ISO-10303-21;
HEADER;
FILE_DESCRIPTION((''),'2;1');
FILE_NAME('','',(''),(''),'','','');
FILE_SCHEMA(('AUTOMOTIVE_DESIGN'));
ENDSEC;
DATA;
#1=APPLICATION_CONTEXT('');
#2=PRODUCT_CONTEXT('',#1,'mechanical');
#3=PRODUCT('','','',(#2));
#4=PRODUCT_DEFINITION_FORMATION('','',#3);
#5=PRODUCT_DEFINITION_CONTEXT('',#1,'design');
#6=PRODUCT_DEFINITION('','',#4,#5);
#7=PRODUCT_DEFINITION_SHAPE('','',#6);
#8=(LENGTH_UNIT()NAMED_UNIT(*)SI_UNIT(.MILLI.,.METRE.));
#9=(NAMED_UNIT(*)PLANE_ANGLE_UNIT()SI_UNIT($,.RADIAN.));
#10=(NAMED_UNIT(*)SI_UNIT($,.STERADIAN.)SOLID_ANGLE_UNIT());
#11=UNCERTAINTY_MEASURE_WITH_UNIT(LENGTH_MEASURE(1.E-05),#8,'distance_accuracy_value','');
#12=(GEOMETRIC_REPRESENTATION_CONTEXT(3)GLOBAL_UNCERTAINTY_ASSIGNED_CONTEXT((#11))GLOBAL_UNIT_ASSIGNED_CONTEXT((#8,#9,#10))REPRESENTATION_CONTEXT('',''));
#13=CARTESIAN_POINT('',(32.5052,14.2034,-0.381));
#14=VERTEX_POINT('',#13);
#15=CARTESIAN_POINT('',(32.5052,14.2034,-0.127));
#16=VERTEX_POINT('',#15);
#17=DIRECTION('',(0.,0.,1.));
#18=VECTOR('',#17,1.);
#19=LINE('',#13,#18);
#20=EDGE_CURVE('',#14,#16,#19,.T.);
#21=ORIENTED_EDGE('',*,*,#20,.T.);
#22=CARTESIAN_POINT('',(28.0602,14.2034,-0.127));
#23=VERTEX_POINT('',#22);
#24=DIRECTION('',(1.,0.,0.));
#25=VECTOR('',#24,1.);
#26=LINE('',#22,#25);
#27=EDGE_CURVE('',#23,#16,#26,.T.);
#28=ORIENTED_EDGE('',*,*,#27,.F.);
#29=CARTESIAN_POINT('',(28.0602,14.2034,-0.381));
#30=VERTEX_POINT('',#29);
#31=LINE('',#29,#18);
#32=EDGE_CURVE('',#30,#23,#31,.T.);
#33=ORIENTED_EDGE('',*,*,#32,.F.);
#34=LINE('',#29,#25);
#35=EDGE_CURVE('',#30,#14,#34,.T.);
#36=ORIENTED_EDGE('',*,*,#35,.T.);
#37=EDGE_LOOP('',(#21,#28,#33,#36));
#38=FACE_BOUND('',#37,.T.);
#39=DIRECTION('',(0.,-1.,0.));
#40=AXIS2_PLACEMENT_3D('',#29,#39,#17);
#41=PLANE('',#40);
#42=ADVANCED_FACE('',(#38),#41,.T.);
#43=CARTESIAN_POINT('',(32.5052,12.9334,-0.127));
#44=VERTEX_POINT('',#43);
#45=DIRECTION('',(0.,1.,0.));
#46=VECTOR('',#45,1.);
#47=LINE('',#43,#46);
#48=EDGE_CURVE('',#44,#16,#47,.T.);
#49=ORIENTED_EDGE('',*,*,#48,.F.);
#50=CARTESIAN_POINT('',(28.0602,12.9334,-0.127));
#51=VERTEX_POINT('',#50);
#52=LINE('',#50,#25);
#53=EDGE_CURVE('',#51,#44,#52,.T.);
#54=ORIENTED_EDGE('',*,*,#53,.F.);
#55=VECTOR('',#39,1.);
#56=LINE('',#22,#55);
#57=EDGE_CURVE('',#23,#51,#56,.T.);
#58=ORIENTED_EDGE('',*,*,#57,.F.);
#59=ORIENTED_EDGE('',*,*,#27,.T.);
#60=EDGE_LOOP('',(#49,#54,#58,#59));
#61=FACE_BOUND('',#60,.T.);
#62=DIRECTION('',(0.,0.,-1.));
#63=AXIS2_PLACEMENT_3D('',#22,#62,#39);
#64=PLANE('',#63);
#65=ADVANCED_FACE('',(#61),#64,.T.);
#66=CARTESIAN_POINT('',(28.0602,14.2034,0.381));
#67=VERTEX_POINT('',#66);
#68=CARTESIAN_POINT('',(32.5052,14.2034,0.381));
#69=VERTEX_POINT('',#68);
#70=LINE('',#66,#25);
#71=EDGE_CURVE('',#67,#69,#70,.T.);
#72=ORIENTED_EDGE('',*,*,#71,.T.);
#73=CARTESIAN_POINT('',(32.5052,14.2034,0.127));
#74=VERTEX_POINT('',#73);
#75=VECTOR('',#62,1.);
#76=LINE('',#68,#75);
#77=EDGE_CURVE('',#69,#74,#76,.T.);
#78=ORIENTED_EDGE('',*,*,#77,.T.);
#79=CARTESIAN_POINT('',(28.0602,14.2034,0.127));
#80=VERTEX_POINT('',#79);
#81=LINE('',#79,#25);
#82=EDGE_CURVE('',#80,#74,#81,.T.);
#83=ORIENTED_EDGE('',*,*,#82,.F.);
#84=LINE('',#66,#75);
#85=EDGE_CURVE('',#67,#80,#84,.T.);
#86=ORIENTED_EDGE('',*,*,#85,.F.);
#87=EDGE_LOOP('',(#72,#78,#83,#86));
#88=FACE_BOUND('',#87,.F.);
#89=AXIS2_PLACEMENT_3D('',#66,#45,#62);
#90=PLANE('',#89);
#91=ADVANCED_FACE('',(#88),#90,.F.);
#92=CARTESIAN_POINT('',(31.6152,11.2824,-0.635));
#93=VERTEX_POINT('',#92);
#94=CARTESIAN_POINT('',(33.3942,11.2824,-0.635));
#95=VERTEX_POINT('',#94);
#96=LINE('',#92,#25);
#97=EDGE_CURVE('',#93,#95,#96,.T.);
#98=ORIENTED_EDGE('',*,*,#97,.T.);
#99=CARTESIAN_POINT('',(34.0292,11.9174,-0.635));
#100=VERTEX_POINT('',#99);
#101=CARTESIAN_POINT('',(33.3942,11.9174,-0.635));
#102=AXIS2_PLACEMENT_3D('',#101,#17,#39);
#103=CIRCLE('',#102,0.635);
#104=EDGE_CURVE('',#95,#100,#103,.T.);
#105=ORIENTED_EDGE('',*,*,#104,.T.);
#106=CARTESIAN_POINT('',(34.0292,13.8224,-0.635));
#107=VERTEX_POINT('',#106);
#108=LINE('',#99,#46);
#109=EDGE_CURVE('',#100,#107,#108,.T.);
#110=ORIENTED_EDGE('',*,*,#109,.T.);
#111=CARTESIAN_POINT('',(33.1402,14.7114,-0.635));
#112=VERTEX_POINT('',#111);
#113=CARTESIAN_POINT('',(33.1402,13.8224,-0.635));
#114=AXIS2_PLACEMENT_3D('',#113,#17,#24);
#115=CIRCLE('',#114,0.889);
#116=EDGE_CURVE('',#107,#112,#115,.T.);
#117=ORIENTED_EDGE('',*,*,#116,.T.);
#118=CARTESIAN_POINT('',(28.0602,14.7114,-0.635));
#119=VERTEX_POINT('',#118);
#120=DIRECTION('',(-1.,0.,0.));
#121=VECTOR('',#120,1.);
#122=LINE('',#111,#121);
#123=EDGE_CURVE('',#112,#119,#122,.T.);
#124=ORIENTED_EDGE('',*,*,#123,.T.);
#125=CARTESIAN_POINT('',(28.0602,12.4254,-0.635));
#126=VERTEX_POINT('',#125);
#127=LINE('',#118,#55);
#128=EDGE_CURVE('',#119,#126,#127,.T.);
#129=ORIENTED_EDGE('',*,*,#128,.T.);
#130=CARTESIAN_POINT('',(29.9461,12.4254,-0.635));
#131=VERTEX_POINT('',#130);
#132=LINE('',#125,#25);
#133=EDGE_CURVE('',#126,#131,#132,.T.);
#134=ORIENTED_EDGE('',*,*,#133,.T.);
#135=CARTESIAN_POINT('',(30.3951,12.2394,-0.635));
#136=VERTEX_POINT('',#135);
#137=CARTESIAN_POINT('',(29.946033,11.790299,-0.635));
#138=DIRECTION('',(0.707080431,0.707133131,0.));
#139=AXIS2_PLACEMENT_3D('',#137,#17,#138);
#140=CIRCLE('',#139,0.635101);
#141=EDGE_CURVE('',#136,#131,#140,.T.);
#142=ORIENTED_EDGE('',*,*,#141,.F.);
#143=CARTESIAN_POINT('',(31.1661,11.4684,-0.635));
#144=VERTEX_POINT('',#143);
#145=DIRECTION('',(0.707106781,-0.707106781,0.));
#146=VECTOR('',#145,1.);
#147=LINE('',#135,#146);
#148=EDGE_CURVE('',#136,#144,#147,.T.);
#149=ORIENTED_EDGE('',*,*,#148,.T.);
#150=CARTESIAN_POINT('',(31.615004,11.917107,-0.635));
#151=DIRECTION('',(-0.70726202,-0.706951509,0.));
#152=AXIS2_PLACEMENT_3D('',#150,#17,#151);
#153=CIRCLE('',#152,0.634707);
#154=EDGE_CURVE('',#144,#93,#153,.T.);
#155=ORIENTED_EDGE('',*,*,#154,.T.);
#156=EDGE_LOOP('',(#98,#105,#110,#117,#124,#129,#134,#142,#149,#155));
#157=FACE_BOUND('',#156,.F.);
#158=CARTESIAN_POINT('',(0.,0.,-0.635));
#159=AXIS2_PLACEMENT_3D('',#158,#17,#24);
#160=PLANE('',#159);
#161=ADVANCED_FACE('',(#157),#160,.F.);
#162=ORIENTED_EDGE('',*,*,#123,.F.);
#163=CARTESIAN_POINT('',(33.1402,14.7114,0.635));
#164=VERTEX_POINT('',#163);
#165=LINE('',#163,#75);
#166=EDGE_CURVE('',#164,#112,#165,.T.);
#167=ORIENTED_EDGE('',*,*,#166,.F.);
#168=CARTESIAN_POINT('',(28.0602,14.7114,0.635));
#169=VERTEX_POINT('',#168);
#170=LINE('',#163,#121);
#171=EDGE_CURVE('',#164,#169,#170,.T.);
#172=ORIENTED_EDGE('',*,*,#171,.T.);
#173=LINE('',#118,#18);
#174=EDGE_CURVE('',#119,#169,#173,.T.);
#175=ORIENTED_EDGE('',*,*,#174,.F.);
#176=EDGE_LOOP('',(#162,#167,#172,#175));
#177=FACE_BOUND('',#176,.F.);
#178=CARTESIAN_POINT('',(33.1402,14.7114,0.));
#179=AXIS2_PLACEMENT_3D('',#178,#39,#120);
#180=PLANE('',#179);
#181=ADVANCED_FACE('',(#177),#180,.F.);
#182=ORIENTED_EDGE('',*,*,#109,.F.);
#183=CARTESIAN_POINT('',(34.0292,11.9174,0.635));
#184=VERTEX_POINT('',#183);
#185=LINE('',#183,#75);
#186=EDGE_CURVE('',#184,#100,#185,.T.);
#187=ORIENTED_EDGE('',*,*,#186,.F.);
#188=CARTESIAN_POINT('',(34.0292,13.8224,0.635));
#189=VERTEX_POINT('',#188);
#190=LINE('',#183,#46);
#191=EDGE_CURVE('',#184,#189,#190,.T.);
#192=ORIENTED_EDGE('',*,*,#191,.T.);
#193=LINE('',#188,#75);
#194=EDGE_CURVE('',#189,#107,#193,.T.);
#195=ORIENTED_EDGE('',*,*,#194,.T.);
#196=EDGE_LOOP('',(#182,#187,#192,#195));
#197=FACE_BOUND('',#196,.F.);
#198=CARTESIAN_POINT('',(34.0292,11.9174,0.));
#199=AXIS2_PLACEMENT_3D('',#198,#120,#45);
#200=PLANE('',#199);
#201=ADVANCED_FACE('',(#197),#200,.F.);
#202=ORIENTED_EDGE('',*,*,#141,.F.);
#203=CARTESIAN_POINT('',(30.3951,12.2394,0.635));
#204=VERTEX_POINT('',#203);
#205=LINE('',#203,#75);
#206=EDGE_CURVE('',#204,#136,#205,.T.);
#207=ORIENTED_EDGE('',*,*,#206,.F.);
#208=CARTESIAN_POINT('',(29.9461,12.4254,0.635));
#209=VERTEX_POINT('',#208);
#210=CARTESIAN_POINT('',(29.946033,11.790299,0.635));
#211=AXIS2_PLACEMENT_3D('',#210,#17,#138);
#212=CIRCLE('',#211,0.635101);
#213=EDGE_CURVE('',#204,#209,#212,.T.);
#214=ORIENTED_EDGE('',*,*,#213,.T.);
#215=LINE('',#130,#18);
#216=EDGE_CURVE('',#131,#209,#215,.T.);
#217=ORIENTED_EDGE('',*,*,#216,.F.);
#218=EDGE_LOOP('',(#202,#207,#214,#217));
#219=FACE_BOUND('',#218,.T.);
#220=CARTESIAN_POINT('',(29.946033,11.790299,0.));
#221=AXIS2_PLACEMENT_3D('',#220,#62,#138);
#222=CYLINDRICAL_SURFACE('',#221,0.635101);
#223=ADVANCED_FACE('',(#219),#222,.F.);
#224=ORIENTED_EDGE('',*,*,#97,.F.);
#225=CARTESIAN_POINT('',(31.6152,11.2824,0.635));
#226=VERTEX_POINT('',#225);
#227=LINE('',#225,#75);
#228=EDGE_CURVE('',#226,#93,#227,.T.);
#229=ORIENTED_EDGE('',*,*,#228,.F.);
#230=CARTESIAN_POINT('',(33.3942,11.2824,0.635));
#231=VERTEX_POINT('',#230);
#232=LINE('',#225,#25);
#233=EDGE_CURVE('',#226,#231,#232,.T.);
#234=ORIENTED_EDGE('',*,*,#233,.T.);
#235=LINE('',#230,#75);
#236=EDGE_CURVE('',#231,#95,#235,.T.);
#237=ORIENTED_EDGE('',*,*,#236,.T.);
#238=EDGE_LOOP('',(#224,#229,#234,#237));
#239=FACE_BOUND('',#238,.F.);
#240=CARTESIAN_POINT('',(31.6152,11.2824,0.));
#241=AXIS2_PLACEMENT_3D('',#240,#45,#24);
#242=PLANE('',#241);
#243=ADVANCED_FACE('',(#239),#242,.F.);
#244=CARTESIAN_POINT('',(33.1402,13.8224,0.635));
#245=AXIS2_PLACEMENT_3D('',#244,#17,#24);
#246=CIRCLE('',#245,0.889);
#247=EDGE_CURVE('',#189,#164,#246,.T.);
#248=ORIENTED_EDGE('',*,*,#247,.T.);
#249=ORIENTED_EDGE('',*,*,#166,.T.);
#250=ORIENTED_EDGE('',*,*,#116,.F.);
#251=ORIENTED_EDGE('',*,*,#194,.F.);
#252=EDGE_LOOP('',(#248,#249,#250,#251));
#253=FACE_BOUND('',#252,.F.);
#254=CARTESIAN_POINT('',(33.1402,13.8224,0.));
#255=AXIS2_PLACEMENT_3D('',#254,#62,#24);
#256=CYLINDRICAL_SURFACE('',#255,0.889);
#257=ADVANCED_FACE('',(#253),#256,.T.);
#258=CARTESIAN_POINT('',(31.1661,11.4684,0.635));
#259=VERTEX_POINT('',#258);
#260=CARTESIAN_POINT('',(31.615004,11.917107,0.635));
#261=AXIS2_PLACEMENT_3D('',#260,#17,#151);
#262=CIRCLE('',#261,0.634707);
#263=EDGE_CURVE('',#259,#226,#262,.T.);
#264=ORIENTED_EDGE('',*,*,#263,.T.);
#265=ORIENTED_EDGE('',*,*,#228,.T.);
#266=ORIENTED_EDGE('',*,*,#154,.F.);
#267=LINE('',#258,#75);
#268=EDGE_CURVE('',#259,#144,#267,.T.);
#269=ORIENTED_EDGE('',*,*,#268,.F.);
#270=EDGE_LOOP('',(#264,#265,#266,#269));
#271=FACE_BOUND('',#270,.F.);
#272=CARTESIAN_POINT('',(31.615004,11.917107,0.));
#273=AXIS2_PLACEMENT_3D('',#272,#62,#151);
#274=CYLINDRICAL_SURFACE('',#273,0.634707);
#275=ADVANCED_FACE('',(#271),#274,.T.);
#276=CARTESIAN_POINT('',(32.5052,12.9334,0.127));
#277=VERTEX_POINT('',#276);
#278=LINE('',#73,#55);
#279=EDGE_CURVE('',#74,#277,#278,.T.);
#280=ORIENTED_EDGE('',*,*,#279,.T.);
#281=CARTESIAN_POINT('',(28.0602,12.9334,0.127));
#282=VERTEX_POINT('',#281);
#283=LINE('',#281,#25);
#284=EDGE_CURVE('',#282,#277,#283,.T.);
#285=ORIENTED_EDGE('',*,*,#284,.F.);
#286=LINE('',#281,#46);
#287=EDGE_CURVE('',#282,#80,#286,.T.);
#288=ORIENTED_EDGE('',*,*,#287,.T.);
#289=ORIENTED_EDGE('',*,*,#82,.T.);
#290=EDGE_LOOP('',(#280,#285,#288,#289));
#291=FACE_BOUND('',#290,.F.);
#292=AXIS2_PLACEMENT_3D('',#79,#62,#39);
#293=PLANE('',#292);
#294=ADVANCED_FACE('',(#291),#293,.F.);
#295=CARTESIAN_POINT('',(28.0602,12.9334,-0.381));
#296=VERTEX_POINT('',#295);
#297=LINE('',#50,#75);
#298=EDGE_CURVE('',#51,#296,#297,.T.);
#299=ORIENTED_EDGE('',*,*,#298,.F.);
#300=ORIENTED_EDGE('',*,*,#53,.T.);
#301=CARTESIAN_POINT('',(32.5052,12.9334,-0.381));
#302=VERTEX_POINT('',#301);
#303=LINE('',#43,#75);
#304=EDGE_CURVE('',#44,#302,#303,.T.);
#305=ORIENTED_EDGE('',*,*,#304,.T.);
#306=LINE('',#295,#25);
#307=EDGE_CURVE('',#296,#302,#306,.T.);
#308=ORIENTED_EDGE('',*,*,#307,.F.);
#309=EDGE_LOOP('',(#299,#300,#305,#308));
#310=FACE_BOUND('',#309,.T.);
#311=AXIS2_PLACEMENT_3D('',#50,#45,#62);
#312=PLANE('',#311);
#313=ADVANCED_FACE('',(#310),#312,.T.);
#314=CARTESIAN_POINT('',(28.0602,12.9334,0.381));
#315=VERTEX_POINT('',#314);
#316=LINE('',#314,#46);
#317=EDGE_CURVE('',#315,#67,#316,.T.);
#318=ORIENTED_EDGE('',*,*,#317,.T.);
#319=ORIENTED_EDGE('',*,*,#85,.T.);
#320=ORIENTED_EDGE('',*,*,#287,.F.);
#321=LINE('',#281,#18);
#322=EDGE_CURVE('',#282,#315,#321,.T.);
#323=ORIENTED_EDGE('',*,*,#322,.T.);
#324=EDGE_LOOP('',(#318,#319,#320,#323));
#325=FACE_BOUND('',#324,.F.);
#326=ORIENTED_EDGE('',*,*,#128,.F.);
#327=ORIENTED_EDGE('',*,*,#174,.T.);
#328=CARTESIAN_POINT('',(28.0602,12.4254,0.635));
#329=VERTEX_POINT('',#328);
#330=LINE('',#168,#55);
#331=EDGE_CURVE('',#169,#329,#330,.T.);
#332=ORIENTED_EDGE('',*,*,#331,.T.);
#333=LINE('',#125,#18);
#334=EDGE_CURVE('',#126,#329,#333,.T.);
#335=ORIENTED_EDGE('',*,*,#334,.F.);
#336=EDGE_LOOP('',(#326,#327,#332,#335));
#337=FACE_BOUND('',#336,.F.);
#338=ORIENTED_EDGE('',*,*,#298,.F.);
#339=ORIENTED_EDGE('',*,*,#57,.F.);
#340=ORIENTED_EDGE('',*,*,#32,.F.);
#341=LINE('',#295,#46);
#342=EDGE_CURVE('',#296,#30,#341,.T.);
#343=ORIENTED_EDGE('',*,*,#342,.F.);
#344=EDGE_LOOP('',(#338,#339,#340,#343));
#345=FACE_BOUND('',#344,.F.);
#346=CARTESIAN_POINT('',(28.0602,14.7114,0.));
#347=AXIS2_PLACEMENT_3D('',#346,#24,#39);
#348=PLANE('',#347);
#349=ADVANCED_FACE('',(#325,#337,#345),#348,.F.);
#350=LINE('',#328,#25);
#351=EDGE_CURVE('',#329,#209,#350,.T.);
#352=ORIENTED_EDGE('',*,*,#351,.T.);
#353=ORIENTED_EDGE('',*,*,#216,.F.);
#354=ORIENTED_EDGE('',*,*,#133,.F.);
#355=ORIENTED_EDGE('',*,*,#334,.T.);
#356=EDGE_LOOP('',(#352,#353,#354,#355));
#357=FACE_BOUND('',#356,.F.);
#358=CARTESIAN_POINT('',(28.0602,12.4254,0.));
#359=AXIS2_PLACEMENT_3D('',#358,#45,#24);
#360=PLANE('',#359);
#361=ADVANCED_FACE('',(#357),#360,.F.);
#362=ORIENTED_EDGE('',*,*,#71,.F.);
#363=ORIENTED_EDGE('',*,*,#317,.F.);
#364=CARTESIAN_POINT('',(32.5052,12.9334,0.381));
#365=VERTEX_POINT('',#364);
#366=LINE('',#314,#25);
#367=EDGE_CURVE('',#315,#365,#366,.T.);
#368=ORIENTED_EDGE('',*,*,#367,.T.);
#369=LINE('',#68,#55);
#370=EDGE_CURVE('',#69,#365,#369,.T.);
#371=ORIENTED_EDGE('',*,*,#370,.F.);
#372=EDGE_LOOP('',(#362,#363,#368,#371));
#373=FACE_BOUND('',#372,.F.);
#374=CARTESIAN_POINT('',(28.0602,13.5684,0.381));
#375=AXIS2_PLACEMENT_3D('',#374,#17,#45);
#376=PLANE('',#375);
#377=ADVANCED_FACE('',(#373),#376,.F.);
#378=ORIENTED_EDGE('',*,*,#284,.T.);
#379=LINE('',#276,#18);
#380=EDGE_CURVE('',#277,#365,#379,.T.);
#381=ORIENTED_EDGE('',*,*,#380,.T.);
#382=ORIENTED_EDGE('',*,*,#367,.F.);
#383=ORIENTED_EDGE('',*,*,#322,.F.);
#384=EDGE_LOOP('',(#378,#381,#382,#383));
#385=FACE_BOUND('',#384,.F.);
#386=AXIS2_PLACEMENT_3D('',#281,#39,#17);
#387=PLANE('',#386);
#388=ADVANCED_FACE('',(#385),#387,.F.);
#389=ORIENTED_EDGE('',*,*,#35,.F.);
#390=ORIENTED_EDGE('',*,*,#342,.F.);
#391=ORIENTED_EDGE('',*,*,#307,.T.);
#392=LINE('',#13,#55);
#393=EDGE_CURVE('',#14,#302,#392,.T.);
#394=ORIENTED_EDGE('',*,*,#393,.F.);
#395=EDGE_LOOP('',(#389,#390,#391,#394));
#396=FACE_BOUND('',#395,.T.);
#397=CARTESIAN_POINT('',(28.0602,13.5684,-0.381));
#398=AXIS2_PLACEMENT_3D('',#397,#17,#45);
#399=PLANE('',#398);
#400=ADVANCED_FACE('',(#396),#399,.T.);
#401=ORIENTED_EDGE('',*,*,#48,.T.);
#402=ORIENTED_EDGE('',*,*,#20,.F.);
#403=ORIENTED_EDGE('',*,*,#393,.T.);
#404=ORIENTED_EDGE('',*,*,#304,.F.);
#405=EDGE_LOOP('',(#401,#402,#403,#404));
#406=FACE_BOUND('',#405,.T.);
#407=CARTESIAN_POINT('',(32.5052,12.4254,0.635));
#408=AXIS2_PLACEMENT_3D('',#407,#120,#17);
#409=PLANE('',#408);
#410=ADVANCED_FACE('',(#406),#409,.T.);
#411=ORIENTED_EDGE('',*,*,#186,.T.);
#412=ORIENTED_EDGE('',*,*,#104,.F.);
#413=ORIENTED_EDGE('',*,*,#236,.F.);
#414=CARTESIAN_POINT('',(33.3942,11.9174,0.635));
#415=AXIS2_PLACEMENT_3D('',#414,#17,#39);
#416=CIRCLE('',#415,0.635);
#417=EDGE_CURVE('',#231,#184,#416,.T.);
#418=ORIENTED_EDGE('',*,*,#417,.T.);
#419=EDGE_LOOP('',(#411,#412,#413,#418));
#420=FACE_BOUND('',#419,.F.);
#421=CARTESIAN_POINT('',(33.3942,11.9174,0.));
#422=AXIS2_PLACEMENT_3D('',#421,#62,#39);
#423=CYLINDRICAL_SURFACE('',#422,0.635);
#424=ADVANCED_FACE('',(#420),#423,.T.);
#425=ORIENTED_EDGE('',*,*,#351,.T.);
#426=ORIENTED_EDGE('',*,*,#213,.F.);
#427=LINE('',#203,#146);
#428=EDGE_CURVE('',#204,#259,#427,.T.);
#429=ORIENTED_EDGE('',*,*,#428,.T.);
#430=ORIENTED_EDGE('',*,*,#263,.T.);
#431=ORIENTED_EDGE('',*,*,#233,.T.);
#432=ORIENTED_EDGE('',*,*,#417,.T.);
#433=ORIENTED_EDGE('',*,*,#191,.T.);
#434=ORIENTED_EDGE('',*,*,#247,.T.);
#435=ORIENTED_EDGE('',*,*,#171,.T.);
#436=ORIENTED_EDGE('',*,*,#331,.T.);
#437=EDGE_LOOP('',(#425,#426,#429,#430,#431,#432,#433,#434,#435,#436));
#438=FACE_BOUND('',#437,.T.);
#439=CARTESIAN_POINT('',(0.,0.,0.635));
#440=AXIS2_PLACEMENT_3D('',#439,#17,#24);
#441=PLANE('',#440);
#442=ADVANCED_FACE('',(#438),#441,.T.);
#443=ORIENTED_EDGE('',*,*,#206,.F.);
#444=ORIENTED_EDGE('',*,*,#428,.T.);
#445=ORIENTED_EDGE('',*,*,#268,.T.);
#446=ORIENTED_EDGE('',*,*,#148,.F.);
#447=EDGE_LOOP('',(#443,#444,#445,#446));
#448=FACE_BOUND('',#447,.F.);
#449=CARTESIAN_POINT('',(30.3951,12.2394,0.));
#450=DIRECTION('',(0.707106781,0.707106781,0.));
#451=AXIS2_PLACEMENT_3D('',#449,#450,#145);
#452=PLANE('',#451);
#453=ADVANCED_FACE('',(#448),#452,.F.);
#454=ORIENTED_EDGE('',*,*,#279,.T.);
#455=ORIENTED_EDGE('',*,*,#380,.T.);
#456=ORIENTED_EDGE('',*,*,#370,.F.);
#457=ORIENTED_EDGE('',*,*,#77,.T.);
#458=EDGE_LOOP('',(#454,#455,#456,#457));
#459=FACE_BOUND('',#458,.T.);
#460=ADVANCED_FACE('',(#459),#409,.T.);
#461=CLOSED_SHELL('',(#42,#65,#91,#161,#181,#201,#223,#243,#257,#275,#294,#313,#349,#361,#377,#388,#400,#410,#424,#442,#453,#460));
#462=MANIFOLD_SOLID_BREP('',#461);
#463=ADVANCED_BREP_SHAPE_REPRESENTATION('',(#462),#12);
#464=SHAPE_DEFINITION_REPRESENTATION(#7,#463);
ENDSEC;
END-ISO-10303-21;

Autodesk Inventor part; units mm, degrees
ref_plane "YZ Plane" through (0, 0, 0) normal (1, 0, 0) x (0, 1, 0)
ref_plane "XZ Plane" through (0, 0, 0) normal (0, 1, 0) x (-1, 0, 0)
ref_plane "XY Plane" through (0, 0, 0) normal (0, 0, 1) x (1, 0, 0)
sketch "Sketch1" plane through (0, 0, 0) normal (0, 0, 1) x (1, 0, 0)
  line L0 (28.0602, 14.7114) -> (28.0602, 12.4254)
  line L1 (28.0602, 12.4254) -> (29.9461, 12.4254)
  line L2 (30.3951, 12.2394) -> (31.1661, 11.4684)
  line L3 (31.6152, 11.2824) -> (33.3942, 11.2824)
  line L4 (34.0292, 11.9174) -> (34.0292, 13.8224)
  line L5 (33.1402, 14.7114) -> (28.0602, 14.7114)
  arc A0 (34.0292, 13.8224) -> (33.1402, 14.7114) centre (33.1402, 13.8224) ccw
  arc A1 (33.3942, 11.2824) -> (34.0292, 11.9174) centre (33.3942, 11.9174) ccw
  arc A2 (31.1661, 11.4684) -> (31.6152, 11.2824) centre (31.6152, 11.9174) ccw
  arc A3 (30.3951, 12.2394) -> (29.9461, 12.4254) centre (29.9461, 11.7904) ccw
  point P0 (0, 0)
  dimension "d0" = 135
  dimension "d1" = 0.889
  dimension "d2" = 0.635
  dimension "d5" = 5.08
  dimension "d6" = 2.286
  dimension "d7" = 1.886
  dimension "d8" = 1.905
extrude "Extrusion1" add sketch "Sketch1" along normal mid plane 1.27
sketch "Sketch2" plane through (28.0602, 12.4254, -0.635) normal (-1, 0, 0) x (0, 0, 1)
  point P0 (0.635, -12.4254)
sketch "Sketch3" plane through (28.0602, 12.4254, 0.635) normal (-1, 0, 0) x (0, 0, 1)
  line L0 (-1.016, 1.778) -> (-0.762, 1.778)
  line L1 (-0.762, 1.778) -> (-0.762, 0.508)
  line L2 (-0.762, 0.508) -> (-1.016, 0.508)
  line L3 (-1.016, 0.508) -> (-1.016, 1.778)
  line L4 (-1.016, 1.778) -> (-0.762, 0.508) construction
  line L5 (-0.762, 1.778) -> (-1.016, 0.508) construction
  line L6 (-0.635, 2.4021) -> (-0.635, -0.4508)
  line L7 (-1.27, -0.186) -> (0, -0.186) projected
  line L8 (0, 2.286) -> (0, 0) projected
  line L9 (0, 1.143) -> (-1.4315, 1.143)
  line L10 (-0.254, 1.778) -> (-0.508, 1.778)
  line L11 (-0.508, 1.778) -> (-0.508, 0.508)
  line L12 (-0.508, 0.508) -> (-0.254, 0.508)
  line L13 (-0.254, 0.508) -> (-0.254, 1.778)
  line L14 (-0.254, 1.778) -> (-0.508, 0.508) construction
  line L15 (-0.508, 1.778) -> (-0.254, 0.508) construction
  point P0 (-0.635, -12.4254)
  point P1 (-0.889, 1.143)
  point P2 (-0.889, 1.143)
  point P3 (-0.381, 1.143)
  point P4 (-0.381, 1.143)
  dimension "d9" = 0.254
  dimension "d10" = 0.254
  dimension "d11" = 1.27
extrude "Extrusion2" cut sketch "Sketch3" against normal blind 4.445
properties part number "gLOW_rED" material "ABS Plastic"
